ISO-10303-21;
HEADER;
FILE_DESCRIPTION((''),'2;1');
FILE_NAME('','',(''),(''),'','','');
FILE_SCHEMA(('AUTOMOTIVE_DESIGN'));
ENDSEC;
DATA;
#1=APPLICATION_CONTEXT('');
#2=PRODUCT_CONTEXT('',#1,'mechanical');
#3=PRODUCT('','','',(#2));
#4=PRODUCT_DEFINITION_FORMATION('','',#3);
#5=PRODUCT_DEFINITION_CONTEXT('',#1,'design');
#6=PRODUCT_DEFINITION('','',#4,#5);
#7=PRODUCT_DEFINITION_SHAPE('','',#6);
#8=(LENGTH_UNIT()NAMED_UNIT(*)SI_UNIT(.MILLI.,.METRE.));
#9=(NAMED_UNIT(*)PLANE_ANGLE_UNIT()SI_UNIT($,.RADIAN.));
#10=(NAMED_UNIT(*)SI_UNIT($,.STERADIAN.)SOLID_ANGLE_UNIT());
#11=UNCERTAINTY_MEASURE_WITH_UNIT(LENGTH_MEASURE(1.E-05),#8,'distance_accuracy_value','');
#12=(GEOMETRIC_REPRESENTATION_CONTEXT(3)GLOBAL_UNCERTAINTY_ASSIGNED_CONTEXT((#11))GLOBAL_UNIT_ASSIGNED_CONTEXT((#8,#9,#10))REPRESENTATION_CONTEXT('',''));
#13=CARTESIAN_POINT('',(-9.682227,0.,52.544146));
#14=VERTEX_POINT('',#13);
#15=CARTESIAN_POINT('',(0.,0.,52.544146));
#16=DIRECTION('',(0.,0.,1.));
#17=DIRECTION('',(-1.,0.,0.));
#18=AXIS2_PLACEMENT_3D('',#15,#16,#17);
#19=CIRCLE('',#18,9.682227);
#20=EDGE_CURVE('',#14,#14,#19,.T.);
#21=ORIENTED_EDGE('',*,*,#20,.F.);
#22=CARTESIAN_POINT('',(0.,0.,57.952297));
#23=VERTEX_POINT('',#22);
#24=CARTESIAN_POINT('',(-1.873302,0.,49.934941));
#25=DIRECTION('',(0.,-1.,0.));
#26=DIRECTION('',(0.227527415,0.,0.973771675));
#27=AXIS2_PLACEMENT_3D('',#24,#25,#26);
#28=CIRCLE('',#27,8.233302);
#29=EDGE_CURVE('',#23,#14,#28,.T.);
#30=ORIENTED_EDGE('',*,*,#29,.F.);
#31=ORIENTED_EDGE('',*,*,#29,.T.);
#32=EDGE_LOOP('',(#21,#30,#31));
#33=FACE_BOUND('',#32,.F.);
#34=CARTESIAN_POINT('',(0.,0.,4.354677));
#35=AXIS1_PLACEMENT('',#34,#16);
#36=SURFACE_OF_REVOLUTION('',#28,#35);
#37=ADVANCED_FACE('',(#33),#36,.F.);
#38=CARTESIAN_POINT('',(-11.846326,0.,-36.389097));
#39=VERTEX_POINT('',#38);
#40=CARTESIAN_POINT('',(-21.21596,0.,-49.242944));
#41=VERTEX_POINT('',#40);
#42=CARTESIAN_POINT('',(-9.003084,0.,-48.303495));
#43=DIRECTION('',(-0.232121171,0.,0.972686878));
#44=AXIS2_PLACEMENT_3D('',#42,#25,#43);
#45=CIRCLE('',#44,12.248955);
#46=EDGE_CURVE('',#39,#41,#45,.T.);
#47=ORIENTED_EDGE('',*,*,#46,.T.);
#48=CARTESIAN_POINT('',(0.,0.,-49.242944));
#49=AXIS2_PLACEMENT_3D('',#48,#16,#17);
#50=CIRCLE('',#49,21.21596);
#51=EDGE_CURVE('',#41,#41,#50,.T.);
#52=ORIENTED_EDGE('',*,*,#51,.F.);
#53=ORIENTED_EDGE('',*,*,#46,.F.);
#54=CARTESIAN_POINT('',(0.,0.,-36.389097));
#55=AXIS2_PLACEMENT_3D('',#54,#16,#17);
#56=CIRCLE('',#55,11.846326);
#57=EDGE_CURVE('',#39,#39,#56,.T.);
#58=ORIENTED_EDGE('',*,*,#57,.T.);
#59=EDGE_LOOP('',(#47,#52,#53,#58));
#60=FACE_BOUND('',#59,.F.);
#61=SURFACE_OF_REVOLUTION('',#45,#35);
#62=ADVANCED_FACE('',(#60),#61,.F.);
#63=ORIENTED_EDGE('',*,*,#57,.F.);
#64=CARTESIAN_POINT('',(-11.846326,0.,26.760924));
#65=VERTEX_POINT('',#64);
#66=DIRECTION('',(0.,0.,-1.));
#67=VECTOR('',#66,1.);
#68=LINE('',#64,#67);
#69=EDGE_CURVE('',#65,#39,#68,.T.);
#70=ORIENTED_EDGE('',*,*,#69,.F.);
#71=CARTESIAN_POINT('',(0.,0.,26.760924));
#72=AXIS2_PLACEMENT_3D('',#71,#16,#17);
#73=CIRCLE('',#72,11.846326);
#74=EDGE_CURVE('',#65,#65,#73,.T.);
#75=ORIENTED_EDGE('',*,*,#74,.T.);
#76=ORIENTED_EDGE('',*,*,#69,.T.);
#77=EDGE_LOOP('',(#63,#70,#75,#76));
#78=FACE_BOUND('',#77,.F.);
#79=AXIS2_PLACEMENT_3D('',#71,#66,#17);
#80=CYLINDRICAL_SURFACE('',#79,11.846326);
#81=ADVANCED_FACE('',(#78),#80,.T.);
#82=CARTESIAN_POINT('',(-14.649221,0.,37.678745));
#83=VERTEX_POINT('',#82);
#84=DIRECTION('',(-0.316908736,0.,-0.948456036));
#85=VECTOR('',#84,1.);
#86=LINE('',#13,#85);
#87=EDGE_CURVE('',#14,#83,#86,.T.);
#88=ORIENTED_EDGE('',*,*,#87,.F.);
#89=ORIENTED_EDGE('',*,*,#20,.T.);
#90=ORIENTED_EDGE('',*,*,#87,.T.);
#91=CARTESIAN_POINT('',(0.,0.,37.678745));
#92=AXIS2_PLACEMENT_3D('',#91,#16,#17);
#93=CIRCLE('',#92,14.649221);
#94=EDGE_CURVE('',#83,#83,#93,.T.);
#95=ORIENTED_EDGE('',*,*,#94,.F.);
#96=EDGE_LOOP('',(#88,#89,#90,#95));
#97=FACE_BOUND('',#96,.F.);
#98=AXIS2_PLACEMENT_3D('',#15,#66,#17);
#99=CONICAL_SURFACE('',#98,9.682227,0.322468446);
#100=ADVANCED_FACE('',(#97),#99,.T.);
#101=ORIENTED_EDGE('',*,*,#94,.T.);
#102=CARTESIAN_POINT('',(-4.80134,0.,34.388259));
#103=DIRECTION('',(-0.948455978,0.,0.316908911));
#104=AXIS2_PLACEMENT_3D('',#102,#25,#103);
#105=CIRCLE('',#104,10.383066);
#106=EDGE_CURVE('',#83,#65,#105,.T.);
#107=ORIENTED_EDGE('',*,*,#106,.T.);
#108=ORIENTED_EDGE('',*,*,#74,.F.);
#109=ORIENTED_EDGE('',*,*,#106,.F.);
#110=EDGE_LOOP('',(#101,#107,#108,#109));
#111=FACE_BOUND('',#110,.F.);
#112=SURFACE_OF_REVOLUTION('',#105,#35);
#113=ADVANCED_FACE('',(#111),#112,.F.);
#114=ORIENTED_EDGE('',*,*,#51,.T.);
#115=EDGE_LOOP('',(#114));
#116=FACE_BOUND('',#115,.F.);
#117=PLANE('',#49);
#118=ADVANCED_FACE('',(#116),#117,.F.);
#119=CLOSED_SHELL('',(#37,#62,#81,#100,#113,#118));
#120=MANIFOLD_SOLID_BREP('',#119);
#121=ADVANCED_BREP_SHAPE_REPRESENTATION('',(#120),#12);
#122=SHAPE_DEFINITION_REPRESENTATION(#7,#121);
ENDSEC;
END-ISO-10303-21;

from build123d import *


with BuildPart() as f1:
    # F0 (on Front) → F1 (revolve)
    with BuildSketch(Plane.XZ):
        with BuildLine():
            ThreePointArc((0, 57.952297), (-5.888265, 57.12294), (-9.682227, 52.544146))
            Line((-9.682227, 52.544146), (-14.649221, 37.678745))
            ThreePointArc((-14.649221, 37.678745), (-14.858275, 31.806376), (-11.846326, 26.760924))
            Line((-11.846326, 26.760924), (-11.846326, -36.389097))
            ThreePointArc((-11.846326, -36.389097), (-18.901418, -41.088241), (-21.21596, -49.242944))
            Line((-21.21596, -49.242944), (0, -49.242944))
            Line((0, -49.242944), (0, 57.952297))
        make_face()
    revolve(axis=Axis((0, 0, 4.354677), (0, 0, 1)))


solid = f1.part
